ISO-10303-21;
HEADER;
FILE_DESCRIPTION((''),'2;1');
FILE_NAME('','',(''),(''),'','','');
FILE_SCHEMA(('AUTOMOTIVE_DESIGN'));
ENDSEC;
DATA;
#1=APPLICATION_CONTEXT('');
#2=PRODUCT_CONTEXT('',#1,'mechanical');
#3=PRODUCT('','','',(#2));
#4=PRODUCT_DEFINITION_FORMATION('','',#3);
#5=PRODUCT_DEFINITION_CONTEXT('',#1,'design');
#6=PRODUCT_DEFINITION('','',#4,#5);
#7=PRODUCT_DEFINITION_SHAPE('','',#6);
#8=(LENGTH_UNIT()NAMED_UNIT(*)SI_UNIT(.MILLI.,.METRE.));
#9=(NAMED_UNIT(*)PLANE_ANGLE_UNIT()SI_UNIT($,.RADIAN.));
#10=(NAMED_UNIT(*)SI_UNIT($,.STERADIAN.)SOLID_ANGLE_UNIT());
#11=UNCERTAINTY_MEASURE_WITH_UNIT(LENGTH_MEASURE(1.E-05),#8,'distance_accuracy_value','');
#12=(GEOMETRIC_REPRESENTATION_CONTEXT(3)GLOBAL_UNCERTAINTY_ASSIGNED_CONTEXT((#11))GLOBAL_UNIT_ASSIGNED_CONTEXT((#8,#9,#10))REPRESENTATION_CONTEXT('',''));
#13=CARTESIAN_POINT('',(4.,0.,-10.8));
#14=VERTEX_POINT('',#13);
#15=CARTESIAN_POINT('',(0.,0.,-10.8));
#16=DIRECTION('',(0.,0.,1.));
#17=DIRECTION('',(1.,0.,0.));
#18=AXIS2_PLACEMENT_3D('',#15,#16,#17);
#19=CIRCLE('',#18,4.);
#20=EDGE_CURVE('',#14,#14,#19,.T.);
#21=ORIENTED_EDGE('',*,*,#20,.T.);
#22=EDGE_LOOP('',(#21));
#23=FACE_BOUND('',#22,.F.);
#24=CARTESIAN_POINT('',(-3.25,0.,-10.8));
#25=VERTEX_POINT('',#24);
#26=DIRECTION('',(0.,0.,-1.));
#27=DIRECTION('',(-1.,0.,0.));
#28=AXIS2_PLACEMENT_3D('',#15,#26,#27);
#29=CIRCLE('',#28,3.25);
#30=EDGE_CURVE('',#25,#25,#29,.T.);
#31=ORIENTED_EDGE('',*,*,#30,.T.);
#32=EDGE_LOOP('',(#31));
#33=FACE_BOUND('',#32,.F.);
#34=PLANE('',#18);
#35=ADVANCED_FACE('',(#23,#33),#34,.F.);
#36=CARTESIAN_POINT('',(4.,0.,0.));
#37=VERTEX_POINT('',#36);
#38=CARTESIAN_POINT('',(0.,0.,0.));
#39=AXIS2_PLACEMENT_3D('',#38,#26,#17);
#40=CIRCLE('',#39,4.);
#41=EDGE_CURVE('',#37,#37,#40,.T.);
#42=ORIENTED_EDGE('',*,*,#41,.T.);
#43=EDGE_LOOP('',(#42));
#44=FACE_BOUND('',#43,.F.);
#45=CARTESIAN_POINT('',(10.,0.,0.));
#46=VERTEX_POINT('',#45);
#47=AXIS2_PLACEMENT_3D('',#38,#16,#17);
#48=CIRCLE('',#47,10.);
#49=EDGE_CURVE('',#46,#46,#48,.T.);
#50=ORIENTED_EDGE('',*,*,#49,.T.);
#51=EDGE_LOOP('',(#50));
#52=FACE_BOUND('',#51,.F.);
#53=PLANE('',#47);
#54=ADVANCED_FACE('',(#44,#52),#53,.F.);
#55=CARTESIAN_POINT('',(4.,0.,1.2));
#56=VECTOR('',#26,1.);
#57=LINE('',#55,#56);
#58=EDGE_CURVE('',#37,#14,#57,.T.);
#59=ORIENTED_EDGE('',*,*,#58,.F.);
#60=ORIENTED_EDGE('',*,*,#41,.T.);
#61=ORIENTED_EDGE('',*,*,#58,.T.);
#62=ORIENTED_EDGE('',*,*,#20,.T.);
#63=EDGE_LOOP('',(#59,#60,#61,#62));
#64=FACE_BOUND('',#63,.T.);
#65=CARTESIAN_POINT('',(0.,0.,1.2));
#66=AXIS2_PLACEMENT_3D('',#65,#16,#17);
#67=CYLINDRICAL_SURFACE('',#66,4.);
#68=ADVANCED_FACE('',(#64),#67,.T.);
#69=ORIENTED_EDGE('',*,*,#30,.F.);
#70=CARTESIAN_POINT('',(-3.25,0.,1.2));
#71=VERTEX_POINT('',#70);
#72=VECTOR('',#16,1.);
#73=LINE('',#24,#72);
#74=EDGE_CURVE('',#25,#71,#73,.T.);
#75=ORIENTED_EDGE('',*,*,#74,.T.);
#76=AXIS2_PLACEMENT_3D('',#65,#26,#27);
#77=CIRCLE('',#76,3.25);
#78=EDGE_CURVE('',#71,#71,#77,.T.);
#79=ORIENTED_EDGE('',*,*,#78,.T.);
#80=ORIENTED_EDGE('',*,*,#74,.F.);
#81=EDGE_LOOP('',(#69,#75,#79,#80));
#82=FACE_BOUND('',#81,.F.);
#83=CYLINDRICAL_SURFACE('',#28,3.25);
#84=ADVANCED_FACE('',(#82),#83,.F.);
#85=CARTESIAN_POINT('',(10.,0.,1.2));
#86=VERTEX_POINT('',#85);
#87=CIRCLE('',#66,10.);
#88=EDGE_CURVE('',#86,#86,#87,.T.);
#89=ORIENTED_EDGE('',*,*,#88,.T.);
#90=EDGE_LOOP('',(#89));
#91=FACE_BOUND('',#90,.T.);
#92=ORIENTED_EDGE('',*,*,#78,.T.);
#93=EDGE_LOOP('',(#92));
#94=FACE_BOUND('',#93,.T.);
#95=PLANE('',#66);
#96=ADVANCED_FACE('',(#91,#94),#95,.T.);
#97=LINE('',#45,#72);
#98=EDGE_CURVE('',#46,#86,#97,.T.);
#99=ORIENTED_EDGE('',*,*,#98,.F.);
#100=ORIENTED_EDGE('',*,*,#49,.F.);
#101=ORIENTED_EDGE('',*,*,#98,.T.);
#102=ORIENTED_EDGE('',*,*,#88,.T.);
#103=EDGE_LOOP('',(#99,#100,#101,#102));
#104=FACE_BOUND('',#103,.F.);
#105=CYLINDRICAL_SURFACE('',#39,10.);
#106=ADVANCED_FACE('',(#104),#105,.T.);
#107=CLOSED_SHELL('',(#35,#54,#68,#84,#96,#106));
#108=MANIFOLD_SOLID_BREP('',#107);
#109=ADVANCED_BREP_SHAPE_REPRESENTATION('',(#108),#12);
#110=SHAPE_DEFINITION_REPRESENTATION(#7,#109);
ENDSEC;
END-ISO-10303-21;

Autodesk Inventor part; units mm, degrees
ref_plane "YZ Plane" through (0, 0, 0) normal (1, 0, 0) x (0, 1, 0)
ref_plane "XZ Plane" through (0, 0, 0) normal (0, 1, 0) x (-1, 0, 0)
ref_plane "XY Plane" through (0, 0, 0) normal (0, 0, 1) x (1, 0, 0)
sketch "草圖1" plane through (0, 0, 0) normal (0, 0, 1) x (1, 0, 0)
  circle A0 centre (0, 0) radius 10
  dimension "d0" = 20
extrude "擠出1" add sketch "草圖1" along normal blind 1.2
sketch "草圖2" plane through (0, 0, 0) normal (0, 0, -1) x (-1, 0, 0)
  circle A0 centre (0, 0) radius 4
  dimension "d4" = 8
extrude "擠出2" cut sketch "草圖2" against normal up to next
sketch "草圖3" plane through (0, 0, 1.2) normal (0, 0, 1) x (1, 0, 0)
  circle A0 centre (0, 0) radius 4
  dimension "d7" = 8
extrude "擠出3" add sketch "草圖3" against normal blind 12
sketch "草圖4" plane through (0, 0, -10.8) normal (0, 0, -1) x (-1, 0, 0)
  circle A0 centre (0, 0) radius 3.25
  dimension "d10" = 6.5
extrude "擠出4" cut sketch "草圖4" against normal up to next
properties part number "儀表鐵軸套"
